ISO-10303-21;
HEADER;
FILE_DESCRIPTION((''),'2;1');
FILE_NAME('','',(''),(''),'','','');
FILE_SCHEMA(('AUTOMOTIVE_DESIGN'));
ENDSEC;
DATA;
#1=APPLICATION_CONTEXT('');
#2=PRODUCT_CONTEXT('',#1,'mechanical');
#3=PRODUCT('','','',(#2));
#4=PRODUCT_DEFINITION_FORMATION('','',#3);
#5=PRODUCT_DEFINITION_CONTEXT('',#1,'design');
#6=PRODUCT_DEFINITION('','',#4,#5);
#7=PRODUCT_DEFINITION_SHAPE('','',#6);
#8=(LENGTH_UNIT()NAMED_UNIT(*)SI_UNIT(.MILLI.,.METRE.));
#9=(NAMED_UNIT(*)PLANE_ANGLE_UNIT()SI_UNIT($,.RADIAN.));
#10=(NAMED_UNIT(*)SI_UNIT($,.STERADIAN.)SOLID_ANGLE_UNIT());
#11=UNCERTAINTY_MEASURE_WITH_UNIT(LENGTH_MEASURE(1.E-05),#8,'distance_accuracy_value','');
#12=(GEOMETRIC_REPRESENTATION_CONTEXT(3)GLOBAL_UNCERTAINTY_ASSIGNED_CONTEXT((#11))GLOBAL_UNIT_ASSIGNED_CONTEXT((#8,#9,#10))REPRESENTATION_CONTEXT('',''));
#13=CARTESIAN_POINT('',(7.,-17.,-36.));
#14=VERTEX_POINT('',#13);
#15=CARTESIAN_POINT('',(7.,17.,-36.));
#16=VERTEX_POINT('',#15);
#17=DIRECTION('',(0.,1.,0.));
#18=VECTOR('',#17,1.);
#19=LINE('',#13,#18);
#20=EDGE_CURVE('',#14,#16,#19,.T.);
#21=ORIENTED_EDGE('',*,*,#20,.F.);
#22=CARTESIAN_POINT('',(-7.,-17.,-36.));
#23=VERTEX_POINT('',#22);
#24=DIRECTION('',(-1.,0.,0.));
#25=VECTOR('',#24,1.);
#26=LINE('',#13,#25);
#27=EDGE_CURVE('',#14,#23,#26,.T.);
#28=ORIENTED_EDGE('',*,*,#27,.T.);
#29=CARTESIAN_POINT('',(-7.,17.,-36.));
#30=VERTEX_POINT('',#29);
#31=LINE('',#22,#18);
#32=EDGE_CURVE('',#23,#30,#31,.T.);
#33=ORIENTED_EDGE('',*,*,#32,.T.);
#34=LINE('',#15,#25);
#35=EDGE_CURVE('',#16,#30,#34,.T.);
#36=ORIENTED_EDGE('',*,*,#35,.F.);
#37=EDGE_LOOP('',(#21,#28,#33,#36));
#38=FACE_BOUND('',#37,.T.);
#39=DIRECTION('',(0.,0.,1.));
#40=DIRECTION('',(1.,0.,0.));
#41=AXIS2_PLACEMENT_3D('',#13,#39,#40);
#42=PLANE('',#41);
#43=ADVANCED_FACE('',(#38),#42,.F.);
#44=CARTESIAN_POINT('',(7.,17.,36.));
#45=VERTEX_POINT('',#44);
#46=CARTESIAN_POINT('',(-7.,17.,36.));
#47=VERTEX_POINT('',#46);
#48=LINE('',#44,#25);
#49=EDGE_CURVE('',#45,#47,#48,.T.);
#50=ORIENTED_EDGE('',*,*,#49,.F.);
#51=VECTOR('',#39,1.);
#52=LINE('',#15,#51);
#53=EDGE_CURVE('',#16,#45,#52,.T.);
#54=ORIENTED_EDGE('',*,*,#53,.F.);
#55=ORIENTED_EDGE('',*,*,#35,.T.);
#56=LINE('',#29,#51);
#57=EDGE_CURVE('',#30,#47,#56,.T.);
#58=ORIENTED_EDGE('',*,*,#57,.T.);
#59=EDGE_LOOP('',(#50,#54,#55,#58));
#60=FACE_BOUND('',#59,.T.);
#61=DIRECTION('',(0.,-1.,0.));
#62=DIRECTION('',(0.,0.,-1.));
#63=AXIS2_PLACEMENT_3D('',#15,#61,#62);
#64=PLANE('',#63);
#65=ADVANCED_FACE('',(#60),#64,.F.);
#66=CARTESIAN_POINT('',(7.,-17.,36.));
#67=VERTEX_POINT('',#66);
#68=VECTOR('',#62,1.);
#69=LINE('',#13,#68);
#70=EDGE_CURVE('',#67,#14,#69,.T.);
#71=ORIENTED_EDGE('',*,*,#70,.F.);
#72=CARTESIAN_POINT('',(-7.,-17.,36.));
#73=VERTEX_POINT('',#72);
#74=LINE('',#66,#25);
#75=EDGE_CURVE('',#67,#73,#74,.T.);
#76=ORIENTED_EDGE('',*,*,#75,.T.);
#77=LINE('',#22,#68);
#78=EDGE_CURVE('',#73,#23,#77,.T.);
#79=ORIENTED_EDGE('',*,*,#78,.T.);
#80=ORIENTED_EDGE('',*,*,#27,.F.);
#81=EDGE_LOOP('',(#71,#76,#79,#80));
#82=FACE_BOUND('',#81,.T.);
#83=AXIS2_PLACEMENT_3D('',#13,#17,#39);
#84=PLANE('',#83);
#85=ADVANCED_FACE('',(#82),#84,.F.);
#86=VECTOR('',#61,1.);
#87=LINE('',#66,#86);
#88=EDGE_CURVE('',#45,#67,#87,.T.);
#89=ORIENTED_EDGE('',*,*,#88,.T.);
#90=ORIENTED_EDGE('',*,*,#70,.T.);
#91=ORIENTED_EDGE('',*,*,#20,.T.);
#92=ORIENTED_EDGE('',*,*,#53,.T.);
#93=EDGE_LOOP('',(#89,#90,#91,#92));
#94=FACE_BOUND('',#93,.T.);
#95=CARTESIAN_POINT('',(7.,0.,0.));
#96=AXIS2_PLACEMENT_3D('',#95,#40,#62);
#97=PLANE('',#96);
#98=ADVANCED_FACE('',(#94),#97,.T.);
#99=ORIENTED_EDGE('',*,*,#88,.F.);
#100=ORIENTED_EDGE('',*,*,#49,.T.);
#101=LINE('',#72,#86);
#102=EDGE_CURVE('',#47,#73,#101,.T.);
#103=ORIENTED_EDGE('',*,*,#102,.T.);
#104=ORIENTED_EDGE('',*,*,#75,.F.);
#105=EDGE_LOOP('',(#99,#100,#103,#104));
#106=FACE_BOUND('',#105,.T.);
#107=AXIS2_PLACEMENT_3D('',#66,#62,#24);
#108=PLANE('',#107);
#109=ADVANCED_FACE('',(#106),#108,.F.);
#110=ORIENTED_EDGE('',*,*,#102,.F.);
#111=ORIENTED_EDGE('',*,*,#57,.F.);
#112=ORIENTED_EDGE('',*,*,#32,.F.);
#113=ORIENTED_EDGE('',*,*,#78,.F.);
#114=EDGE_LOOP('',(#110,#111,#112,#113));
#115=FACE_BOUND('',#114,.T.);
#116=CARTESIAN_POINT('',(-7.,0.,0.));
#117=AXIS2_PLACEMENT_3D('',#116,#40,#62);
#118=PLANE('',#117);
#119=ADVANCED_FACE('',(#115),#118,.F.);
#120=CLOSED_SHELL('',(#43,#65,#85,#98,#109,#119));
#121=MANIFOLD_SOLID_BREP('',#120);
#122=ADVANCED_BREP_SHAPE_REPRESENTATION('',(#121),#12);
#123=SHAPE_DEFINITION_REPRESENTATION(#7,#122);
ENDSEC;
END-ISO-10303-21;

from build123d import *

# Parameters (mm, degrees)
SKETCH1_W           = 72
SKETCH1_H           = 34
BOSS_EXTRUDE1_DEPTH = 7


with BuildPart() as part:
    # Sketch1 → Boss-Extrude1 (new, symmetric)
    with BuildSketch(Plane(origin=(0, 0, 0), x_dir=(0, 0, -1), z_dir=(1, 0, 0))):
        Rectangle(SKETCH1_W, SKETCH1_H)
    extrude(amount=BOSS_EXTRUDE1_DEPTH, both=True)


solid = part.part
